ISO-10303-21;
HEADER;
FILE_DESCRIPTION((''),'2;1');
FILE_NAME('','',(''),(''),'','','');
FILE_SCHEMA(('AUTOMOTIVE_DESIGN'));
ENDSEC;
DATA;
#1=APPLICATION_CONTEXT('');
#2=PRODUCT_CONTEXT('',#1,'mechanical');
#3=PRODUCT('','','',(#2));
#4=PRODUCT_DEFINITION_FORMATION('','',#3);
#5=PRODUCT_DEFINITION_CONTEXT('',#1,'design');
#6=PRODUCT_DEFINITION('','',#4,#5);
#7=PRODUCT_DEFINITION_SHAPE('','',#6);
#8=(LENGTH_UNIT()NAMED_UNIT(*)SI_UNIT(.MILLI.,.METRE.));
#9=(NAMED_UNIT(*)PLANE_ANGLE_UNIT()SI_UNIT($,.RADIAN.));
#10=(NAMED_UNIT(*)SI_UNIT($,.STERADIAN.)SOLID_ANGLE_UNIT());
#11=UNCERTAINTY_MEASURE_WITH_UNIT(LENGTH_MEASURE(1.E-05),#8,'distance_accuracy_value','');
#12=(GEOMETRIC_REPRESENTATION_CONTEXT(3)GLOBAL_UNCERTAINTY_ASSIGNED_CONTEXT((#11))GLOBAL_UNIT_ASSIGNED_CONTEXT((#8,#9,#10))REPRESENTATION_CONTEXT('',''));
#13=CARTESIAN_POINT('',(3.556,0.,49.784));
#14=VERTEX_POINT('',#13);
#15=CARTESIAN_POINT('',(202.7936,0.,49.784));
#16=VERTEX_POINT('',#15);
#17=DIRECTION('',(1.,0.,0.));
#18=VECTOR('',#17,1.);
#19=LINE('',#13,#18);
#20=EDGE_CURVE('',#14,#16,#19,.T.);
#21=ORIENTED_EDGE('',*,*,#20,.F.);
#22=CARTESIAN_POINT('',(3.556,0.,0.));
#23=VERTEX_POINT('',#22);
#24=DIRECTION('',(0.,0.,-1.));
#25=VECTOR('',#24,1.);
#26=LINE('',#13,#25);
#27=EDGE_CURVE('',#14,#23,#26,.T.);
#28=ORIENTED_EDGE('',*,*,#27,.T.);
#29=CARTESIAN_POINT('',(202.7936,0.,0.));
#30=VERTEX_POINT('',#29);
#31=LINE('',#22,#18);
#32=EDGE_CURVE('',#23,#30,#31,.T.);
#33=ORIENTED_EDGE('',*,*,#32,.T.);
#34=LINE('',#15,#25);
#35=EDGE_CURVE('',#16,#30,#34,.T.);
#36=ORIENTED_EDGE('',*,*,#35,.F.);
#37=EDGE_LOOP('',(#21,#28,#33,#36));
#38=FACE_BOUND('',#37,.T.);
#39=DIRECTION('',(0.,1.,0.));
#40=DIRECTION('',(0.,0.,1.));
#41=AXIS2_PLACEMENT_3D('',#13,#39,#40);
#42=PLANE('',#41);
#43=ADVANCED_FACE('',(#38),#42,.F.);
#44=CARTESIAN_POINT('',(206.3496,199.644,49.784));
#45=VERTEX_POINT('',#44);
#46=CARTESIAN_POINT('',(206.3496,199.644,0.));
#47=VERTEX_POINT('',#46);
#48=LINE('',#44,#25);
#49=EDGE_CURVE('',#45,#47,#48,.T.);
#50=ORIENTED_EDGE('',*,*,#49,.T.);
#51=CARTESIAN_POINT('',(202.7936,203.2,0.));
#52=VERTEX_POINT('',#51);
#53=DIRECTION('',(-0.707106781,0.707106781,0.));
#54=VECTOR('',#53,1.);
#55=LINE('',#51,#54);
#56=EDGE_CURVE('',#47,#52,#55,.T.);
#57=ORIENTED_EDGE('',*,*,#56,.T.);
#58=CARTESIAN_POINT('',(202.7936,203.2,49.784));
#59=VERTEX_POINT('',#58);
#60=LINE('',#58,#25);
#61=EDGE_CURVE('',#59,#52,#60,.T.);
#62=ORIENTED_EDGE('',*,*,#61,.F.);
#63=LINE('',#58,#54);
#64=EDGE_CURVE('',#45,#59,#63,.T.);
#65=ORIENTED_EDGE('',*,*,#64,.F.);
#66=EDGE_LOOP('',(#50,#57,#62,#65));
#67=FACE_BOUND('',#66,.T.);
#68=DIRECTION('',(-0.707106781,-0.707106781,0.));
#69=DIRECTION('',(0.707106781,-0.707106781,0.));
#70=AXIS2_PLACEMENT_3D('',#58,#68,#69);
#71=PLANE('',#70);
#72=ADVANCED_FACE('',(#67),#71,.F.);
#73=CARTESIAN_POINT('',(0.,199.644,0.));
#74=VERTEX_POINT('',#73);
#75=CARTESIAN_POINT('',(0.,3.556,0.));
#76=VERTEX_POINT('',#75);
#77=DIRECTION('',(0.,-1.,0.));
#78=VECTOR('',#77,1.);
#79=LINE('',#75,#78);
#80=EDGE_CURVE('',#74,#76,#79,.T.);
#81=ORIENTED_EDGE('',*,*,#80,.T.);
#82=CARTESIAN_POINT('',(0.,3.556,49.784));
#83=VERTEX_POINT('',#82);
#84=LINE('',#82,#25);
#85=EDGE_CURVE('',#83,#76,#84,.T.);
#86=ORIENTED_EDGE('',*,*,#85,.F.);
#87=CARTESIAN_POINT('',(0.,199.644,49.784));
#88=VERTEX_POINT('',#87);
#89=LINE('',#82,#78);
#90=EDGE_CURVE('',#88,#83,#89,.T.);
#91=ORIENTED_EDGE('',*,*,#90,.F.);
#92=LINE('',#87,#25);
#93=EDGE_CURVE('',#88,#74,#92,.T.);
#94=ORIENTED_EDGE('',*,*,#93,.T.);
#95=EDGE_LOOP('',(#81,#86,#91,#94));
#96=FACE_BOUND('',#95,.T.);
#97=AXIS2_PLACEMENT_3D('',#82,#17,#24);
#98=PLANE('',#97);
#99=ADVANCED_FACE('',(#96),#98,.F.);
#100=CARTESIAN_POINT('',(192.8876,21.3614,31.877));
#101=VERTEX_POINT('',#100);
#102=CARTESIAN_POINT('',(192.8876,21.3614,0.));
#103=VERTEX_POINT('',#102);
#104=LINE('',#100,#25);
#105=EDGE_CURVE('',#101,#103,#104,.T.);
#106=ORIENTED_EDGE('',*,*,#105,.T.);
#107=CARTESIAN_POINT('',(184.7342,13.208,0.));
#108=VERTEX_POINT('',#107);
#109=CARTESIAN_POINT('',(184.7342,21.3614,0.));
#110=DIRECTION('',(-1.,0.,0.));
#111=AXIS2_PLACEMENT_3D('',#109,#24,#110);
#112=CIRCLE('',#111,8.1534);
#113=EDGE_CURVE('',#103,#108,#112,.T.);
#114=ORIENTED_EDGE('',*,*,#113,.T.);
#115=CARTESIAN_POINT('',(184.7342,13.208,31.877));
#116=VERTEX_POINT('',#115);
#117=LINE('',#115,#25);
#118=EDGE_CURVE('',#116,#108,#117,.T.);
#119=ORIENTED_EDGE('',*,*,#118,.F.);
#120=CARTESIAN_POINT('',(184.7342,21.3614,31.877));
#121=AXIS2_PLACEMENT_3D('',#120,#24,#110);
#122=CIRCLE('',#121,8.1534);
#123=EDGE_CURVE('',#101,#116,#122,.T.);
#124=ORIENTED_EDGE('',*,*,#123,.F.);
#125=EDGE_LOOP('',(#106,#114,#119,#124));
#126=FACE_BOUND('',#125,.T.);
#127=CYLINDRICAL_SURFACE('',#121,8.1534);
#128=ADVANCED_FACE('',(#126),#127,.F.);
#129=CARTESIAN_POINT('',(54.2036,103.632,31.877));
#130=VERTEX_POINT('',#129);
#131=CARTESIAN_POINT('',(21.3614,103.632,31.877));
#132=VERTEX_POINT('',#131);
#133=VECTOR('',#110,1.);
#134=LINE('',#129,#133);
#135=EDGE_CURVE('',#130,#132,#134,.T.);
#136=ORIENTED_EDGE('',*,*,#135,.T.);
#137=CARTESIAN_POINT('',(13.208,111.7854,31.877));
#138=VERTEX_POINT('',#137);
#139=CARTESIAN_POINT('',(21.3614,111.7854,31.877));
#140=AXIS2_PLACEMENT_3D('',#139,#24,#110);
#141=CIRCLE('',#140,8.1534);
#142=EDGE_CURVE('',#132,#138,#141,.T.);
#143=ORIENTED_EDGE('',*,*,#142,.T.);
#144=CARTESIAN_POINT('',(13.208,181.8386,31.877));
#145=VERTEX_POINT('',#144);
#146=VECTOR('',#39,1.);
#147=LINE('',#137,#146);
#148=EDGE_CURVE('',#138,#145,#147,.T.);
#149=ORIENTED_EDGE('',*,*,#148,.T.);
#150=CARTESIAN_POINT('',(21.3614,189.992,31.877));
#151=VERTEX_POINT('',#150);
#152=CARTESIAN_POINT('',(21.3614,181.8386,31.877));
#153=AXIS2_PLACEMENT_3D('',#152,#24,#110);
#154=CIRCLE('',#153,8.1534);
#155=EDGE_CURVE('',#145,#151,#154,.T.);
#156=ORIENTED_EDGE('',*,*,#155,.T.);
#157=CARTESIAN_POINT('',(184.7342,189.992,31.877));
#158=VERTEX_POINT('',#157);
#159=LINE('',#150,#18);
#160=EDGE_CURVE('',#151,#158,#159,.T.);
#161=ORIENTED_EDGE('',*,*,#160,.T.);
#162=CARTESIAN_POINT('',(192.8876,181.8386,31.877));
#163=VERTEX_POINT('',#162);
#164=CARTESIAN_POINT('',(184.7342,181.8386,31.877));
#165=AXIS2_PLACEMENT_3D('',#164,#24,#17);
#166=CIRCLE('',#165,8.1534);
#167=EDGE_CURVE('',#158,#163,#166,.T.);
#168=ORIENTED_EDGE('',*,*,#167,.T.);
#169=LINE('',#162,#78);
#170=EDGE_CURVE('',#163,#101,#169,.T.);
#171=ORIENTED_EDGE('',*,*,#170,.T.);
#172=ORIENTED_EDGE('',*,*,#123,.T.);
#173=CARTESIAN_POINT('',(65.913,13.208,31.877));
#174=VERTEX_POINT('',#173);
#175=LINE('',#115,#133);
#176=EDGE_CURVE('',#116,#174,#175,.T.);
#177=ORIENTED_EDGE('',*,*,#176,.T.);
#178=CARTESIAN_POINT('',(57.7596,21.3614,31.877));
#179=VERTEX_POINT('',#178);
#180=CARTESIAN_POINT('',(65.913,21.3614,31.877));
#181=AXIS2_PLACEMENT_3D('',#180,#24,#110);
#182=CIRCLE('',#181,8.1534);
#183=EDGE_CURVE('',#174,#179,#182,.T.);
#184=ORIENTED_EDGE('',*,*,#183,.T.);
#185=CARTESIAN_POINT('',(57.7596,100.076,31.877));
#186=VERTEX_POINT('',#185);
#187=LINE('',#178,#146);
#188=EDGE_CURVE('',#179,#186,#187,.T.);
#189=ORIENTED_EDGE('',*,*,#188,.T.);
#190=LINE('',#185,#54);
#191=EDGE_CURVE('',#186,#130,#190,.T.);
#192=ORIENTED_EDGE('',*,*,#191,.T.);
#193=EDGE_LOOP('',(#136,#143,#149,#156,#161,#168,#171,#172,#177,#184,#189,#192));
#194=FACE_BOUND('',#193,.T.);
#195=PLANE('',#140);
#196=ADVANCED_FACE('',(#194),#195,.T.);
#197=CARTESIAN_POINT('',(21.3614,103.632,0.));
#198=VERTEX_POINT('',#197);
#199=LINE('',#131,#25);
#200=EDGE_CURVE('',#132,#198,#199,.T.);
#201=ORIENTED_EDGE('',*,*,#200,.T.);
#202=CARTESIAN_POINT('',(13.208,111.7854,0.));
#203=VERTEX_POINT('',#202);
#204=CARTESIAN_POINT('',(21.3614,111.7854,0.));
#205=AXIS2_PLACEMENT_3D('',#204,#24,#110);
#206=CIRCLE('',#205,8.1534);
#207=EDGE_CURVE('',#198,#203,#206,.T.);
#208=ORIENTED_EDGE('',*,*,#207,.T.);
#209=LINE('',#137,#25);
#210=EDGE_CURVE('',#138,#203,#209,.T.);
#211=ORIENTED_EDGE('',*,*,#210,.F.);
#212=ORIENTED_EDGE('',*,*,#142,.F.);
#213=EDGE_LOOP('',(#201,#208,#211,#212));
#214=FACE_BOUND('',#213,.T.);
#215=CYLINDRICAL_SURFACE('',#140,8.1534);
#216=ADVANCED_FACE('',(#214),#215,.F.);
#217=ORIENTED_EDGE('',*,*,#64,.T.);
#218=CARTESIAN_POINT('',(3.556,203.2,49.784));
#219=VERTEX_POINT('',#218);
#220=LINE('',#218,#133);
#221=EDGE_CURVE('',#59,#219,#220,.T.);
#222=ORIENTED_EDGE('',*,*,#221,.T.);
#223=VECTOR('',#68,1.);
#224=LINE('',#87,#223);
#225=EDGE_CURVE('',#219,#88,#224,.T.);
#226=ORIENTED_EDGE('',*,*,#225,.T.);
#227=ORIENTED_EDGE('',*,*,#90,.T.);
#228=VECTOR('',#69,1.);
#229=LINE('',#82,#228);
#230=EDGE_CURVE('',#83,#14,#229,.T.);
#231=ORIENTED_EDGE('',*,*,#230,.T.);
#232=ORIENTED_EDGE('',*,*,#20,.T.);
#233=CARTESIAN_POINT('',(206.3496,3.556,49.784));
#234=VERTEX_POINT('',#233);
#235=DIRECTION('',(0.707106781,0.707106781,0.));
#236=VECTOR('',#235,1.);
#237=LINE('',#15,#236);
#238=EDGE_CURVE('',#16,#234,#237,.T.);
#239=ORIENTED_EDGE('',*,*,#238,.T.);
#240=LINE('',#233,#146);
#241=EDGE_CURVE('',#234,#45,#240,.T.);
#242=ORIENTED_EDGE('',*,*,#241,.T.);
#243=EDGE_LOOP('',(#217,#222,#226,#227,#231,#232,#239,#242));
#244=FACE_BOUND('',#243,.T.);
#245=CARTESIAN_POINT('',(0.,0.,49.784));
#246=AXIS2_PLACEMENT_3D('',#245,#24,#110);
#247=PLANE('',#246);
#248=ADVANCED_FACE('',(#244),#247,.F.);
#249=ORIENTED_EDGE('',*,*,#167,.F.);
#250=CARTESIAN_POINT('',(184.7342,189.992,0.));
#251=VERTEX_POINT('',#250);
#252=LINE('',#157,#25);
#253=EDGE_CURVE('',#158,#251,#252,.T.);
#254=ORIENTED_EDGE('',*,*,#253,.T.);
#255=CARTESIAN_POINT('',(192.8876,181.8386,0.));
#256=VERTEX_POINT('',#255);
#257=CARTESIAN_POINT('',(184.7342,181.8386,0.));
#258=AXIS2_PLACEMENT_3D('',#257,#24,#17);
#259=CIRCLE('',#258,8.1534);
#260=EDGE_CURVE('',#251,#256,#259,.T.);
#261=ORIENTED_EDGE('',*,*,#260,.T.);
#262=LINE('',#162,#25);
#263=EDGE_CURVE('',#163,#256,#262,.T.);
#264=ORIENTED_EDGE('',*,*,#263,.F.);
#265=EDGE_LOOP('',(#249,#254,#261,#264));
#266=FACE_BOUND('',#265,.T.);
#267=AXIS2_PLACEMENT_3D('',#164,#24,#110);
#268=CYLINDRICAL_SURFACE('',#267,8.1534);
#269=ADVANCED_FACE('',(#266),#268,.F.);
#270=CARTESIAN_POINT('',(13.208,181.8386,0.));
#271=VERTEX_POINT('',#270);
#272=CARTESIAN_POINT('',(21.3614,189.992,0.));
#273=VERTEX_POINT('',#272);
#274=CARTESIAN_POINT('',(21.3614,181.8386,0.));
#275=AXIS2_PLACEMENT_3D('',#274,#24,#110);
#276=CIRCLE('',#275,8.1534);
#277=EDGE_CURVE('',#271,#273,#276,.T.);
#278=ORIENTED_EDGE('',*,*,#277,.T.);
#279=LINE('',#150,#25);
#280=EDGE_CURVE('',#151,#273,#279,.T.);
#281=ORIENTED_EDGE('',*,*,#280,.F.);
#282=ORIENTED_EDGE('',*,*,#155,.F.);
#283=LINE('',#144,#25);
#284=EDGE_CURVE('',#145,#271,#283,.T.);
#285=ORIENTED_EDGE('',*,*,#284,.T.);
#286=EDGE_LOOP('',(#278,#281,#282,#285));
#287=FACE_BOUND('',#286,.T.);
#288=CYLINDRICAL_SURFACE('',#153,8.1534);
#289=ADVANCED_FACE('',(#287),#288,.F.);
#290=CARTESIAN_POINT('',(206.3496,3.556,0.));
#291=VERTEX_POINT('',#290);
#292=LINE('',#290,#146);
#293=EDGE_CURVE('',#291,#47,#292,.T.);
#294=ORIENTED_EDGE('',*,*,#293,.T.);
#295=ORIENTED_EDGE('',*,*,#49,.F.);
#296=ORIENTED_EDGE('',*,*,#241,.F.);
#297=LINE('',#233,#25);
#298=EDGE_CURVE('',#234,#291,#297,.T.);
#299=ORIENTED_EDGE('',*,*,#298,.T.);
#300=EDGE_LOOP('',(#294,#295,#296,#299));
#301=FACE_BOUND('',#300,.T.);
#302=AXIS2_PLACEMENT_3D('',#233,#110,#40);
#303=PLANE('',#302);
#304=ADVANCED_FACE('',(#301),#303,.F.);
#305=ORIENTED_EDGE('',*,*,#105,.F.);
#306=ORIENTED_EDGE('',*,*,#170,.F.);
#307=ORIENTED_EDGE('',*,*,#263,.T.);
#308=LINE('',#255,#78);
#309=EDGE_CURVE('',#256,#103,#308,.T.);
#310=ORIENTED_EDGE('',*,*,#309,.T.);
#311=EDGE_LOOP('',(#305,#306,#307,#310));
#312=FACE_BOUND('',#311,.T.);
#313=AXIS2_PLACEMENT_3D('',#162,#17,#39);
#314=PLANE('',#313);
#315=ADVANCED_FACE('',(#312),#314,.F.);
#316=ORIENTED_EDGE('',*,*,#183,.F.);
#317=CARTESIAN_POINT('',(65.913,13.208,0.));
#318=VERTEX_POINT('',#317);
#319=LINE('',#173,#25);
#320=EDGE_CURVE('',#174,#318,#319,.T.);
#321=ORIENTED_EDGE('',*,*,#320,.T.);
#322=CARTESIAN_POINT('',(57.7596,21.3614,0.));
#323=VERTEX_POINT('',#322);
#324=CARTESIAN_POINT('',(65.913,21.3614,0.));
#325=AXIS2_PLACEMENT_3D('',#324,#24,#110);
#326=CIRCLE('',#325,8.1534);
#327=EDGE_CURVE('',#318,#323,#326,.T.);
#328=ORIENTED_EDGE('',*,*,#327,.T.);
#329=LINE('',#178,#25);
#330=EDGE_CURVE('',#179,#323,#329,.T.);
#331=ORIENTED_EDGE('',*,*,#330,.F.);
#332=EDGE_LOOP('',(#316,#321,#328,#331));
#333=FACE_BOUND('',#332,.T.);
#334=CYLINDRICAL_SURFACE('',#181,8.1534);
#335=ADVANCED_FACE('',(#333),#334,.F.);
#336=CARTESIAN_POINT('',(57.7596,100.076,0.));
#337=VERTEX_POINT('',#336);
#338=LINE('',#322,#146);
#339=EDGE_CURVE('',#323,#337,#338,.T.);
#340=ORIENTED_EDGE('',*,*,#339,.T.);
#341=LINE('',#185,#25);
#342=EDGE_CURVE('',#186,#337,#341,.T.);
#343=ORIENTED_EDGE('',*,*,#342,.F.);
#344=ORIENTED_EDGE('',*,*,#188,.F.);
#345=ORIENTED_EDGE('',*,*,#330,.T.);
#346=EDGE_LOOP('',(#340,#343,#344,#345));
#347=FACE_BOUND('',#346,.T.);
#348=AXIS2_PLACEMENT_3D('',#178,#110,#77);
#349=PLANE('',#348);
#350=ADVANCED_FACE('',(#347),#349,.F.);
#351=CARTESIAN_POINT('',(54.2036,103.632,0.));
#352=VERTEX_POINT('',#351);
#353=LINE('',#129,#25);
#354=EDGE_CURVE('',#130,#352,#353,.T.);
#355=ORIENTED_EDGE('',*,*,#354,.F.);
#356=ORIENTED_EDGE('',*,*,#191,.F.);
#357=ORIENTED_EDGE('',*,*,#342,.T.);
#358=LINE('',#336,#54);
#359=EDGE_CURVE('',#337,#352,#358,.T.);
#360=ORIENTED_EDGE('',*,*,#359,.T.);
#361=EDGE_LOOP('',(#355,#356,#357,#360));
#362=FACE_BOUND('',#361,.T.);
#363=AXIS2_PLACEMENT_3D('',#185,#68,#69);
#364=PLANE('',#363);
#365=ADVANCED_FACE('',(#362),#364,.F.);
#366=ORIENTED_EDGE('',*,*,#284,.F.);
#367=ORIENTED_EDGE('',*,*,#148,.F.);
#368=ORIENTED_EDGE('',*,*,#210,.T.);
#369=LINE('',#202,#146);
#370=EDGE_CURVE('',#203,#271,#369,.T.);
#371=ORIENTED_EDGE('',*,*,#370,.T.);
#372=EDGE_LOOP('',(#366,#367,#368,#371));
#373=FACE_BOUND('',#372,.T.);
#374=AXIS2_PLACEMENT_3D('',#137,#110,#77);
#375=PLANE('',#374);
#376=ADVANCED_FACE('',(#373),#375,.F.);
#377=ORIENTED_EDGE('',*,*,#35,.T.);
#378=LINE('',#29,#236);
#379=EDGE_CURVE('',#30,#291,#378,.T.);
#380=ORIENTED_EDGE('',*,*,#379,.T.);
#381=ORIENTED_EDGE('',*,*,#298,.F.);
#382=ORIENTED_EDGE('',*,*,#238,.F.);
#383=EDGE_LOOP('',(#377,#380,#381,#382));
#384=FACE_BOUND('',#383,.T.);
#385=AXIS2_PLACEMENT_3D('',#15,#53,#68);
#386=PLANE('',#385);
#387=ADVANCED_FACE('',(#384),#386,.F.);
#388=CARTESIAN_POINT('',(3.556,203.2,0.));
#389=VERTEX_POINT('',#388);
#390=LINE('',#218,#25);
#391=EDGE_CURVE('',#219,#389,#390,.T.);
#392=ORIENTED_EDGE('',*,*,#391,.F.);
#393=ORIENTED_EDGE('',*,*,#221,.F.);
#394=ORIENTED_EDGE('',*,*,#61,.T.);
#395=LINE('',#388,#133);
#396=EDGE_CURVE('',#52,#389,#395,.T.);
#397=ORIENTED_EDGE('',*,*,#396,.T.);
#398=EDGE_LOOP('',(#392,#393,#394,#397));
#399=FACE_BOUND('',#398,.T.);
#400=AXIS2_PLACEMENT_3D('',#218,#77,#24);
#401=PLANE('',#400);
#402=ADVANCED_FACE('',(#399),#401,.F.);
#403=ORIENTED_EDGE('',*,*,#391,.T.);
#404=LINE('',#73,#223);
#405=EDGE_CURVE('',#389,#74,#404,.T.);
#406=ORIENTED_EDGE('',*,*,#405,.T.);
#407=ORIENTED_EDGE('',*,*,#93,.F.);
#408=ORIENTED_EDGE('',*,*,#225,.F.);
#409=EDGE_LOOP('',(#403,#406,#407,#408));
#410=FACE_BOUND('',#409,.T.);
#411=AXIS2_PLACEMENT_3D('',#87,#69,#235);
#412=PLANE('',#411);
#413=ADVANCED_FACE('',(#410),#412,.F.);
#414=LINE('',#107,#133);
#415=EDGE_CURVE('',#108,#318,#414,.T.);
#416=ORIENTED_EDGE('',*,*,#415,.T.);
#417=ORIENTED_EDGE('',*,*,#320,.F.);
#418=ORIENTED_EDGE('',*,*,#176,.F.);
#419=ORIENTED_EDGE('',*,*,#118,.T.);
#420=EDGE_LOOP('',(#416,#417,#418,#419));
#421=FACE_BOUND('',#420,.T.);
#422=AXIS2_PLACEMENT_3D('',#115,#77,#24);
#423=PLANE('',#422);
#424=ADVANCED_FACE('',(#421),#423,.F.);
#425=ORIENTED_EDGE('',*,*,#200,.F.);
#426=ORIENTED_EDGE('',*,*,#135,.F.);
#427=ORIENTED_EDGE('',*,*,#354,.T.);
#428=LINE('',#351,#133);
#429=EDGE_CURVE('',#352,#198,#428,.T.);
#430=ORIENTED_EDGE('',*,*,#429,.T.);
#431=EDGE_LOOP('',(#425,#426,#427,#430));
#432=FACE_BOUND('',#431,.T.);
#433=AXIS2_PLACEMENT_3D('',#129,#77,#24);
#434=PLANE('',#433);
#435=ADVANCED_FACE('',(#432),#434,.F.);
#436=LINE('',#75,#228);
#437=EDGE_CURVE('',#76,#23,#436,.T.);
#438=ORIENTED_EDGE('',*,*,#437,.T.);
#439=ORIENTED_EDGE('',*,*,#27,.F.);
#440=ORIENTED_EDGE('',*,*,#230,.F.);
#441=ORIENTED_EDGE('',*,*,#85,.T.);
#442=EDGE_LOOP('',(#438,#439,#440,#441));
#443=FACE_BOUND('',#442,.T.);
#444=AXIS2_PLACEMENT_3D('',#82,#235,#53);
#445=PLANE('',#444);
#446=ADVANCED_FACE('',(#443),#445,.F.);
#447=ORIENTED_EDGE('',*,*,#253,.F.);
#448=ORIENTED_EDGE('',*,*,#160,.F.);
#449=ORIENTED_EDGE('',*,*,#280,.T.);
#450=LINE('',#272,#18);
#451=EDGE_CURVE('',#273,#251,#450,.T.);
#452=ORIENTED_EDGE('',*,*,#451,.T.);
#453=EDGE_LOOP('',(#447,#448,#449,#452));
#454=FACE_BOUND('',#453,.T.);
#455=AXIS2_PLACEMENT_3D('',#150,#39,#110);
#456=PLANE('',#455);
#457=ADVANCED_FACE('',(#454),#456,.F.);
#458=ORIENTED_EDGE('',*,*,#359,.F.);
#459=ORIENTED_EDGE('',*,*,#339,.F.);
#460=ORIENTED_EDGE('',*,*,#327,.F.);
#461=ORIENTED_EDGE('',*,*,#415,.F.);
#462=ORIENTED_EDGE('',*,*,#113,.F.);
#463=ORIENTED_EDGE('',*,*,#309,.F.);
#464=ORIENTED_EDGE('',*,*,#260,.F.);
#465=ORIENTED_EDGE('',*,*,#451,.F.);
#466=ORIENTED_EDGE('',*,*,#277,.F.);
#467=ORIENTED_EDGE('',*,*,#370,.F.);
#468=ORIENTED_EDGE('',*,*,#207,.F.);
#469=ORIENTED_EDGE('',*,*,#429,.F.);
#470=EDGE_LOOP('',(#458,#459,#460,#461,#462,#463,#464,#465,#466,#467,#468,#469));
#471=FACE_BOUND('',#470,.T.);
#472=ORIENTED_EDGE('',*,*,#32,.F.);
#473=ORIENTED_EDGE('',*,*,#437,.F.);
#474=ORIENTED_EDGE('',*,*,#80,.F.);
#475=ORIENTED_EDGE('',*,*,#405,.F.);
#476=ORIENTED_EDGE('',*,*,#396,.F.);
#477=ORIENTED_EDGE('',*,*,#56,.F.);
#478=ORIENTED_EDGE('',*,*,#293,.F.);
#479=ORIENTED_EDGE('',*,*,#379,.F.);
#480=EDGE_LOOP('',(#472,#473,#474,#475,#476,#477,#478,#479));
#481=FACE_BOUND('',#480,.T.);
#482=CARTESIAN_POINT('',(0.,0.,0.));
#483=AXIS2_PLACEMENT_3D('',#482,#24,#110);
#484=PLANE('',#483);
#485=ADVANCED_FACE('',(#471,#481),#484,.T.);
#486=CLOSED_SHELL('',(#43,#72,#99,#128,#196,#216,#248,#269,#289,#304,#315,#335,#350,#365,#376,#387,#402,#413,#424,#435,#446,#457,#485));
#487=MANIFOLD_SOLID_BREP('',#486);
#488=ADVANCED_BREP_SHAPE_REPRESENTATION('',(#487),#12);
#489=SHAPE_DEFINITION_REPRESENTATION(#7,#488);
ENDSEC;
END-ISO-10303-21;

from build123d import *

# Parameters (mm, degrees)
BOSS_EXTRUDE1_DEPTH = 49.784
CUT_EXTRUDE1_DEPTH  = 31.877


with BuildPart() as part:
    # Sketch1 → Boss-Extrude1 (new body)
    with BuildSketch(Plane.XY):
        Polygon((0, 199.644), (3.556, 203.2), (202.7936, 203.2), (206.3496, 199.644), (206.3496, 3.556), (202.7936, 0), (3.556, 0), (0, 3.556), align=None)
    extrude(amount=BOSS_EXTRUDE1_DEPTH)

    # Sketch2 → Cut-Extrude1 (cut)
    with BuildSketch(Plane(origin=(0, 0, 0), x_dir=(-1, 0, 0), z_dir=(0, 0, -1))):
        with BuildLine():
            Line((-192.8876, 181.8386), (-192.8876, 21.3614))
            ThreePointArc((-192.8876, 21.3614), (-190.49952443, 15.59607557), (-184.7342, 13.208))
            Line((-184.7342, 13.208), (-65.913, 13.208))
            ThreePointArc((-65.913, 13.208), (-60.14767557, 15.59607557), (-57.7596, 21.3614))
            Line((-57.7596, 21.3614), (-57.7596, 100.076))
            Line((-57.7596, 100.076), (-54.2036, 103.632))
            Line((-54.2036, 103.632), (-21.3614, 103.632))
            ThreePointArc((-21.3614, 103.632), (-15.59607557, 106.02007557), (-13.208, 111.7854))
            Line((-13.208, 111.7854), (-13.208, 181.8386))
            ThreePointArc((-13.208, 181.8386), (-15.59607557, 187.60392443), (-21.3614, 189.992))
            Line((-21.3614, 189.992), (-184.7342, 189.992))
            ThreePointArc((-184.7342, 189.992), (-190.49952443, 187.60392443), (-192.8876, 181.8386))
        make_face()
    extrude(amount=-CUT_EXTRUDE1_DEPTH, mode=Mode.SUBTRACT)


solid = part.part
